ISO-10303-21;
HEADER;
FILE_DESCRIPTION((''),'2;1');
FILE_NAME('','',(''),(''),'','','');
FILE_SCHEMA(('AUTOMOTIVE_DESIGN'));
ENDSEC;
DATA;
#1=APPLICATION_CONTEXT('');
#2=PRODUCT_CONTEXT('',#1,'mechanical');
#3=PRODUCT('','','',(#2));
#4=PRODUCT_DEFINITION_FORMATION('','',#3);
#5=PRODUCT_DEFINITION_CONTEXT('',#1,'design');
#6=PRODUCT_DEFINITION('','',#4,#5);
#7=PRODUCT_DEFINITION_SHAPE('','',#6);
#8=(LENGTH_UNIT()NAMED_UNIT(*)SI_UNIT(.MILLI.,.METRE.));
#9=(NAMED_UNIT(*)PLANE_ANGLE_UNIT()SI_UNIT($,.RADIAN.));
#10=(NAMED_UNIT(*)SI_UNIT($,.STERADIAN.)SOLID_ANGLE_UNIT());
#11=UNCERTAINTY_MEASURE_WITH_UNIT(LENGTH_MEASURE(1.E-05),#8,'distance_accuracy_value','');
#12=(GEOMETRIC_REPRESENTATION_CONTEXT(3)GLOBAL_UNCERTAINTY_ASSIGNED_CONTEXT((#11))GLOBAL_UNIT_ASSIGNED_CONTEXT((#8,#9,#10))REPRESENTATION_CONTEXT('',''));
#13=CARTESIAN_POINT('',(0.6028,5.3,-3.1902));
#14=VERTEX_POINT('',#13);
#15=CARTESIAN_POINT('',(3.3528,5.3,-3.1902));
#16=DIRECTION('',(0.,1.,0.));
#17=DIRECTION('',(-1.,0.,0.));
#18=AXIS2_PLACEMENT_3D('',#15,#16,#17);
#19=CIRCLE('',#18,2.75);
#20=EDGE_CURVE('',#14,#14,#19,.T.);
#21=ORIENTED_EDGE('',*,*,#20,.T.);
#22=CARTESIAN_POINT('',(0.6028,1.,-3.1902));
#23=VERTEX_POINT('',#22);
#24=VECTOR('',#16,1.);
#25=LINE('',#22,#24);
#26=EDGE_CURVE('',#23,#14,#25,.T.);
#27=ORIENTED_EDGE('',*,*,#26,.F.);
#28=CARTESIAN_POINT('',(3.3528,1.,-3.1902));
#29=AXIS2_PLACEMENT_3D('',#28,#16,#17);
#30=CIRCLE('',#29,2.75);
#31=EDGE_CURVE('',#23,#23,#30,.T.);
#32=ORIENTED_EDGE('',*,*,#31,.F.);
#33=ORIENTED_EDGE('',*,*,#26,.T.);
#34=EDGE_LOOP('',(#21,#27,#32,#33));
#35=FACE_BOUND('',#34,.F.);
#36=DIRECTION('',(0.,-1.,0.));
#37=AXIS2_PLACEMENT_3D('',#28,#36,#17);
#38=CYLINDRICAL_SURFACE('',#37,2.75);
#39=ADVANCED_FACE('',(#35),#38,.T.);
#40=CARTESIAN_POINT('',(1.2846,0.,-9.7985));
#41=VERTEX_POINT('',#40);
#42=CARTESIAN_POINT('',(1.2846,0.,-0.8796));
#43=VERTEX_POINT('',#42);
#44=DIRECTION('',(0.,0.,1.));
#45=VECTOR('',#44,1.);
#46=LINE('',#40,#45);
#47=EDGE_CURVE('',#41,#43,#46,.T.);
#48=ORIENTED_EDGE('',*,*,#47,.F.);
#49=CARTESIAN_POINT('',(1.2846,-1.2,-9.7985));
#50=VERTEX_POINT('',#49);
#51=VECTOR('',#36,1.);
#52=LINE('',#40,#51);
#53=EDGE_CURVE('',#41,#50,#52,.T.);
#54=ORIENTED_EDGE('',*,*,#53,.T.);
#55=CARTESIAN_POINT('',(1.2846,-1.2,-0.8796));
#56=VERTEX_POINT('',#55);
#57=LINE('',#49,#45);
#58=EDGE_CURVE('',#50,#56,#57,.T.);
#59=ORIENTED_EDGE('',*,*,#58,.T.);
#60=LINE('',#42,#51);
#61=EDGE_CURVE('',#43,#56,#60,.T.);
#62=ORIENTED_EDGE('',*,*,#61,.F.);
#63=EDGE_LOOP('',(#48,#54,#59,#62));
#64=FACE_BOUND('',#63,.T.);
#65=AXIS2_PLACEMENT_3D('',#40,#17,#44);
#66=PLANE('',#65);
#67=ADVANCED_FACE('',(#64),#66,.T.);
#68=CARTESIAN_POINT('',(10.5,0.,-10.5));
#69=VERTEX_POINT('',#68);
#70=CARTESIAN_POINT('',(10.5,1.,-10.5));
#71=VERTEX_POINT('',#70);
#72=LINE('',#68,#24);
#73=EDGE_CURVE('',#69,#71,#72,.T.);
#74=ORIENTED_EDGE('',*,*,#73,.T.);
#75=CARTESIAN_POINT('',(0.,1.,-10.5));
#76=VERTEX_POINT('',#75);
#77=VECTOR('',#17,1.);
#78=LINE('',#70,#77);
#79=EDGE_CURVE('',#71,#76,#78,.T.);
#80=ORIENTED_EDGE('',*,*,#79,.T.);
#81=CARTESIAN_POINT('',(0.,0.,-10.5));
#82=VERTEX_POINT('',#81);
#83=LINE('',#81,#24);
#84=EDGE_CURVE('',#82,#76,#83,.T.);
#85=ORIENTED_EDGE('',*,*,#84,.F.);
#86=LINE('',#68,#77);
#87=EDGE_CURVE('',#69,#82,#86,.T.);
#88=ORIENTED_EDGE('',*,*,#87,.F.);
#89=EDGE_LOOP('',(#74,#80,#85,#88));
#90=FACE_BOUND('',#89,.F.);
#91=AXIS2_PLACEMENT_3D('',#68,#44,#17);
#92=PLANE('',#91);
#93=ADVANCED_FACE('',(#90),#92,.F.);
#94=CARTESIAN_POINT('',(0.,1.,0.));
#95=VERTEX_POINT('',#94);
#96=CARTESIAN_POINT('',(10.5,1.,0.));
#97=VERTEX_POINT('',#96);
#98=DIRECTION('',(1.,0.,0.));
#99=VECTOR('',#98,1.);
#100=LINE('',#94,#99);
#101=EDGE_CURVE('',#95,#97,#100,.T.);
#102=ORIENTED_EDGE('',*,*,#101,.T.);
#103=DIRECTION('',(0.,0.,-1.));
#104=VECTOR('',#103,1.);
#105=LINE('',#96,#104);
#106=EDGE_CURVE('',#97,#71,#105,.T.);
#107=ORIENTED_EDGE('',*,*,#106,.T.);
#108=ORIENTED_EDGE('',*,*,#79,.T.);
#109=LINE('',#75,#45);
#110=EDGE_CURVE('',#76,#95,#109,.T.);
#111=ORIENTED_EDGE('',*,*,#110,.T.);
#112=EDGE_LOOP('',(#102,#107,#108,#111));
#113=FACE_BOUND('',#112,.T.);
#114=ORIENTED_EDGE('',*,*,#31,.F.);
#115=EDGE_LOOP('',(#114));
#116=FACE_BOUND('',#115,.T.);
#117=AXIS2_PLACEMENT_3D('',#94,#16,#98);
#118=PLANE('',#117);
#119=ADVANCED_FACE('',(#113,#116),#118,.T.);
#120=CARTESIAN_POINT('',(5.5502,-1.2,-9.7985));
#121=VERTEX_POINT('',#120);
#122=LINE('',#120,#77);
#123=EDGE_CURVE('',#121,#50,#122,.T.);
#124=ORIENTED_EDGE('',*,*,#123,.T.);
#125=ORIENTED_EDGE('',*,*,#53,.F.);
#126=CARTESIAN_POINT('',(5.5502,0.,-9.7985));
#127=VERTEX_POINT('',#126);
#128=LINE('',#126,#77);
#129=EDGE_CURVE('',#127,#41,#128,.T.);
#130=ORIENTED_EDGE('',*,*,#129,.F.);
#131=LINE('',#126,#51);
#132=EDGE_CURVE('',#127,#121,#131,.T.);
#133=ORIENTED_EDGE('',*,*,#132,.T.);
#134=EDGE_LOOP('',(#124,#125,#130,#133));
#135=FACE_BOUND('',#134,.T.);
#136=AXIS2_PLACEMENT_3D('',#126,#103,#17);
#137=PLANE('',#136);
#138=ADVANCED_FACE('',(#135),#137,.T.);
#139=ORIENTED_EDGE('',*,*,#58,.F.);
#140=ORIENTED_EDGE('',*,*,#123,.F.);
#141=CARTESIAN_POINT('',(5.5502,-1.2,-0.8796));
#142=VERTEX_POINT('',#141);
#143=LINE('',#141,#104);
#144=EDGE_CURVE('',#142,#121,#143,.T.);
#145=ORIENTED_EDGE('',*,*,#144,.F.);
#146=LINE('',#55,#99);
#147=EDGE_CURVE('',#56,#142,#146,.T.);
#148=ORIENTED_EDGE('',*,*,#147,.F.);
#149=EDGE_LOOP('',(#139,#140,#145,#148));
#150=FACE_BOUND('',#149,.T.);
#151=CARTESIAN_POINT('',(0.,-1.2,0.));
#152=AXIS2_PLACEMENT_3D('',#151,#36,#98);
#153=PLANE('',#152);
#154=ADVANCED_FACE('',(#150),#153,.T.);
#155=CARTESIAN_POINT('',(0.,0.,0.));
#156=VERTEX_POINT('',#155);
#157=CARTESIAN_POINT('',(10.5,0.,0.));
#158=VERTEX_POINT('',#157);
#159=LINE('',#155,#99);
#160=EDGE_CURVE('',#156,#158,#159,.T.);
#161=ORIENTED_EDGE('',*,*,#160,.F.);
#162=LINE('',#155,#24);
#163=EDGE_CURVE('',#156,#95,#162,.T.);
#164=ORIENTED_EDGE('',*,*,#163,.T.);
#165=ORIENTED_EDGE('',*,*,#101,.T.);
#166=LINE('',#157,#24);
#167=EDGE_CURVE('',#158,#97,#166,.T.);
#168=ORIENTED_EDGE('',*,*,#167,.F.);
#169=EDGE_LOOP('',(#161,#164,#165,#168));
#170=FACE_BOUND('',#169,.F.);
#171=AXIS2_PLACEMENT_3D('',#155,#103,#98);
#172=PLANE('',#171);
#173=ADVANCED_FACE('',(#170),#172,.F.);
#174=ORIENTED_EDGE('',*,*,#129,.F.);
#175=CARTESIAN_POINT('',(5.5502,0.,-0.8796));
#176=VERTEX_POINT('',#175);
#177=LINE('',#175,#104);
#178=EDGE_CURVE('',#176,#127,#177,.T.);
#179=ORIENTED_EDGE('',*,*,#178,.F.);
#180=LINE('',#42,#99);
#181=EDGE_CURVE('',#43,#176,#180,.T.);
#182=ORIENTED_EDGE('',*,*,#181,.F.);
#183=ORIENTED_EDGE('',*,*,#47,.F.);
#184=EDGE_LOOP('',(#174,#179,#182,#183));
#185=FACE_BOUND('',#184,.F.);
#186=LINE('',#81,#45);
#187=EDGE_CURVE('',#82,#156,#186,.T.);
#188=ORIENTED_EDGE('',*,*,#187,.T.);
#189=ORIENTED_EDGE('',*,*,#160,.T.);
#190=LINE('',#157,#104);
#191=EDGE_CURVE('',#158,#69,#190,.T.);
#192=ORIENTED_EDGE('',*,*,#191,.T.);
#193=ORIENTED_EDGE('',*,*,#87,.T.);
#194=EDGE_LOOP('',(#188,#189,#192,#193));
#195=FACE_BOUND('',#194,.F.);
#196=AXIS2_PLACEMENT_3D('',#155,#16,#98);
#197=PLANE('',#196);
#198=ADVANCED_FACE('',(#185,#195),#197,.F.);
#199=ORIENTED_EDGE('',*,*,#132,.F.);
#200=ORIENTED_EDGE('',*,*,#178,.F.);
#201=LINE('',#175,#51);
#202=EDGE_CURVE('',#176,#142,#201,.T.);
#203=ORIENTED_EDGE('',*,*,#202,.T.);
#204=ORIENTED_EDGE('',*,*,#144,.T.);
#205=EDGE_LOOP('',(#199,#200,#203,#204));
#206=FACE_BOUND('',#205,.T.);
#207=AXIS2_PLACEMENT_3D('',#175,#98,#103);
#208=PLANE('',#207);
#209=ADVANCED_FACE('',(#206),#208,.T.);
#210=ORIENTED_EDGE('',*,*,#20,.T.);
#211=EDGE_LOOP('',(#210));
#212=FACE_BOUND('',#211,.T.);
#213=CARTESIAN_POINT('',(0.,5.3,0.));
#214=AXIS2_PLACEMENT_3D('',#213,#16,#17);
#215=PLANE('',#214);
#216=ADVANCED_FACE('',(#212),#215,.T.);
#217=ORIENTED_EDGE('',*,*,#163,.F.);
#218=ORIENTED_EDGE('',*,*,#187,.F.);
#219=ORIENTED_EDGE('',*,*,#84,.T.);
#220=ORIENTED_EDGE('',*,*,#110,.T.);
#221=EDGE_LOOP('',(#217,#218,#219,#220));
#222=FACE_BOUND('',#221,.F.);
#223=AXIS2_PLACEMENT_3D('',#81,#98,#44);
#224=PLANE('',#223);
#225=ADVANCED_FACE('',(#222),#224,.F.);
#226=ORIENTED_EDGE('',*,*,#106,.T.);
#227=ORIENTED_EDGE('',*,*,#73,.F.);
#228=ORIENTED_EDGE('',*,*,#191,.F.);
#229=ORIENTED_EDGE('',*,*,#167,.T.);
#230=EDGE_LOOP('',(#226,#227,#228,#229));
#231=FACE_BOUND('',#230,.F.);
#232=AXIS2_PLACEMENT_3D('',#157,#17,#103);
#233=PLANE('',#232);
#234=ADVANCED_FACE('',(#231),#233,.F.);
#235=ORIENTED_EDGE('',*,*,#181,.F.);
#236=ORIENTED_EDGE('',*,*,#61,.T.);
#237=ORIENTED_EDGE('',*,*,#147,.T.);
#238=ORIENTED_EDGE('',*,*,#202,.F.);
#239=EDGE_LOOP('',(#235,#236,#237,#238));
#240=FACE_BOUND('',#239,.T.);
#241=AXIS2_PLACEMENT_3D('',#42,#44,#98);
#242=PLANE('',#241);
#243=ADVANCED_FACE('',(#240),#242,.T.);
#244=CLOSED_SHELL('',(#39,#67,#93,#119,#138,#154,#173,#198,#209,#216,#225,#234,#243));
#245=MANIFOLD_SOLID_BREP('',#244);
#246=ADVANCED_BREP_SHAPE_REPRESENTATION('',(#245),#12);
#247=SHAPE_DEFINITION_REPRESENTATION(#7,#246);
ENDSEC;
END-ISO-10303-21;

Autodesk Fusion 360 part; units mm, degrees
sketch "Sketch1" plane through (0, 0, 0) normal (0, 1, 0) x (1, 0, 0)
  line L0 (0, 0) -> (10.5, 0)
  line L1 (10.5, 0) -> (10.5, 10.5)
  line L2 (10.5, 10.5) -> (0, 10.5)
  line L3 (0, 10.5) -> (0, 0)
  dimension "d1" = 10.5
  dimension "d2" = 10.5
extrude "Extrude1" add sketch "Sketch1" along normal blind 1
sketch "Sketch2" plane through (0, 1, 0) normal (0, 1, 0) x (-1, 0, 0)
  line L0 (0, -10.5) -> (0, 0)
  line L1 (0, 0) -> (-10.5, 0)
  line L2 (-10.5, 0) -> (-10.5, -10.5)
  line L3 (-10.5, -10.5) -> (0, -10.5)
  circle A0 centre (-3.3528, -3.1902) radius 2.75
  dimension "d5" = 5.5
extrude "Extrude2" add sketch "Sketch2" along normal blind 4.3 contours A0
sketch "Sketch3" plane through (0, 0, 0) normal (0, -1, 0) x (1, 0, 0)
  line L0 (0, 0) -> (0, -10.5)
  line L1 (0, -10.5) -> (10.5, -10.5)
  line L2 (10.5, -10.5) -> (10.5, 0)
  line L3 (10.5, 0) -> (0, 0)
  line L4 (1.2846, -0.8796) -> (5.5502, -0.8796)
  line L5 (5.5502, -0.8796) -> (5.5502, -9.7985)
  line L6 (5.5502, -9.7985) -> (1.2846, -9.7985)
  line L7 (1.2846, -9.7985) -> (1.2846, -0.8796)
extrude "Extrude3" add sketch "Sketch3" along normal blind 1.2 contours L4 L5 L6 L7
